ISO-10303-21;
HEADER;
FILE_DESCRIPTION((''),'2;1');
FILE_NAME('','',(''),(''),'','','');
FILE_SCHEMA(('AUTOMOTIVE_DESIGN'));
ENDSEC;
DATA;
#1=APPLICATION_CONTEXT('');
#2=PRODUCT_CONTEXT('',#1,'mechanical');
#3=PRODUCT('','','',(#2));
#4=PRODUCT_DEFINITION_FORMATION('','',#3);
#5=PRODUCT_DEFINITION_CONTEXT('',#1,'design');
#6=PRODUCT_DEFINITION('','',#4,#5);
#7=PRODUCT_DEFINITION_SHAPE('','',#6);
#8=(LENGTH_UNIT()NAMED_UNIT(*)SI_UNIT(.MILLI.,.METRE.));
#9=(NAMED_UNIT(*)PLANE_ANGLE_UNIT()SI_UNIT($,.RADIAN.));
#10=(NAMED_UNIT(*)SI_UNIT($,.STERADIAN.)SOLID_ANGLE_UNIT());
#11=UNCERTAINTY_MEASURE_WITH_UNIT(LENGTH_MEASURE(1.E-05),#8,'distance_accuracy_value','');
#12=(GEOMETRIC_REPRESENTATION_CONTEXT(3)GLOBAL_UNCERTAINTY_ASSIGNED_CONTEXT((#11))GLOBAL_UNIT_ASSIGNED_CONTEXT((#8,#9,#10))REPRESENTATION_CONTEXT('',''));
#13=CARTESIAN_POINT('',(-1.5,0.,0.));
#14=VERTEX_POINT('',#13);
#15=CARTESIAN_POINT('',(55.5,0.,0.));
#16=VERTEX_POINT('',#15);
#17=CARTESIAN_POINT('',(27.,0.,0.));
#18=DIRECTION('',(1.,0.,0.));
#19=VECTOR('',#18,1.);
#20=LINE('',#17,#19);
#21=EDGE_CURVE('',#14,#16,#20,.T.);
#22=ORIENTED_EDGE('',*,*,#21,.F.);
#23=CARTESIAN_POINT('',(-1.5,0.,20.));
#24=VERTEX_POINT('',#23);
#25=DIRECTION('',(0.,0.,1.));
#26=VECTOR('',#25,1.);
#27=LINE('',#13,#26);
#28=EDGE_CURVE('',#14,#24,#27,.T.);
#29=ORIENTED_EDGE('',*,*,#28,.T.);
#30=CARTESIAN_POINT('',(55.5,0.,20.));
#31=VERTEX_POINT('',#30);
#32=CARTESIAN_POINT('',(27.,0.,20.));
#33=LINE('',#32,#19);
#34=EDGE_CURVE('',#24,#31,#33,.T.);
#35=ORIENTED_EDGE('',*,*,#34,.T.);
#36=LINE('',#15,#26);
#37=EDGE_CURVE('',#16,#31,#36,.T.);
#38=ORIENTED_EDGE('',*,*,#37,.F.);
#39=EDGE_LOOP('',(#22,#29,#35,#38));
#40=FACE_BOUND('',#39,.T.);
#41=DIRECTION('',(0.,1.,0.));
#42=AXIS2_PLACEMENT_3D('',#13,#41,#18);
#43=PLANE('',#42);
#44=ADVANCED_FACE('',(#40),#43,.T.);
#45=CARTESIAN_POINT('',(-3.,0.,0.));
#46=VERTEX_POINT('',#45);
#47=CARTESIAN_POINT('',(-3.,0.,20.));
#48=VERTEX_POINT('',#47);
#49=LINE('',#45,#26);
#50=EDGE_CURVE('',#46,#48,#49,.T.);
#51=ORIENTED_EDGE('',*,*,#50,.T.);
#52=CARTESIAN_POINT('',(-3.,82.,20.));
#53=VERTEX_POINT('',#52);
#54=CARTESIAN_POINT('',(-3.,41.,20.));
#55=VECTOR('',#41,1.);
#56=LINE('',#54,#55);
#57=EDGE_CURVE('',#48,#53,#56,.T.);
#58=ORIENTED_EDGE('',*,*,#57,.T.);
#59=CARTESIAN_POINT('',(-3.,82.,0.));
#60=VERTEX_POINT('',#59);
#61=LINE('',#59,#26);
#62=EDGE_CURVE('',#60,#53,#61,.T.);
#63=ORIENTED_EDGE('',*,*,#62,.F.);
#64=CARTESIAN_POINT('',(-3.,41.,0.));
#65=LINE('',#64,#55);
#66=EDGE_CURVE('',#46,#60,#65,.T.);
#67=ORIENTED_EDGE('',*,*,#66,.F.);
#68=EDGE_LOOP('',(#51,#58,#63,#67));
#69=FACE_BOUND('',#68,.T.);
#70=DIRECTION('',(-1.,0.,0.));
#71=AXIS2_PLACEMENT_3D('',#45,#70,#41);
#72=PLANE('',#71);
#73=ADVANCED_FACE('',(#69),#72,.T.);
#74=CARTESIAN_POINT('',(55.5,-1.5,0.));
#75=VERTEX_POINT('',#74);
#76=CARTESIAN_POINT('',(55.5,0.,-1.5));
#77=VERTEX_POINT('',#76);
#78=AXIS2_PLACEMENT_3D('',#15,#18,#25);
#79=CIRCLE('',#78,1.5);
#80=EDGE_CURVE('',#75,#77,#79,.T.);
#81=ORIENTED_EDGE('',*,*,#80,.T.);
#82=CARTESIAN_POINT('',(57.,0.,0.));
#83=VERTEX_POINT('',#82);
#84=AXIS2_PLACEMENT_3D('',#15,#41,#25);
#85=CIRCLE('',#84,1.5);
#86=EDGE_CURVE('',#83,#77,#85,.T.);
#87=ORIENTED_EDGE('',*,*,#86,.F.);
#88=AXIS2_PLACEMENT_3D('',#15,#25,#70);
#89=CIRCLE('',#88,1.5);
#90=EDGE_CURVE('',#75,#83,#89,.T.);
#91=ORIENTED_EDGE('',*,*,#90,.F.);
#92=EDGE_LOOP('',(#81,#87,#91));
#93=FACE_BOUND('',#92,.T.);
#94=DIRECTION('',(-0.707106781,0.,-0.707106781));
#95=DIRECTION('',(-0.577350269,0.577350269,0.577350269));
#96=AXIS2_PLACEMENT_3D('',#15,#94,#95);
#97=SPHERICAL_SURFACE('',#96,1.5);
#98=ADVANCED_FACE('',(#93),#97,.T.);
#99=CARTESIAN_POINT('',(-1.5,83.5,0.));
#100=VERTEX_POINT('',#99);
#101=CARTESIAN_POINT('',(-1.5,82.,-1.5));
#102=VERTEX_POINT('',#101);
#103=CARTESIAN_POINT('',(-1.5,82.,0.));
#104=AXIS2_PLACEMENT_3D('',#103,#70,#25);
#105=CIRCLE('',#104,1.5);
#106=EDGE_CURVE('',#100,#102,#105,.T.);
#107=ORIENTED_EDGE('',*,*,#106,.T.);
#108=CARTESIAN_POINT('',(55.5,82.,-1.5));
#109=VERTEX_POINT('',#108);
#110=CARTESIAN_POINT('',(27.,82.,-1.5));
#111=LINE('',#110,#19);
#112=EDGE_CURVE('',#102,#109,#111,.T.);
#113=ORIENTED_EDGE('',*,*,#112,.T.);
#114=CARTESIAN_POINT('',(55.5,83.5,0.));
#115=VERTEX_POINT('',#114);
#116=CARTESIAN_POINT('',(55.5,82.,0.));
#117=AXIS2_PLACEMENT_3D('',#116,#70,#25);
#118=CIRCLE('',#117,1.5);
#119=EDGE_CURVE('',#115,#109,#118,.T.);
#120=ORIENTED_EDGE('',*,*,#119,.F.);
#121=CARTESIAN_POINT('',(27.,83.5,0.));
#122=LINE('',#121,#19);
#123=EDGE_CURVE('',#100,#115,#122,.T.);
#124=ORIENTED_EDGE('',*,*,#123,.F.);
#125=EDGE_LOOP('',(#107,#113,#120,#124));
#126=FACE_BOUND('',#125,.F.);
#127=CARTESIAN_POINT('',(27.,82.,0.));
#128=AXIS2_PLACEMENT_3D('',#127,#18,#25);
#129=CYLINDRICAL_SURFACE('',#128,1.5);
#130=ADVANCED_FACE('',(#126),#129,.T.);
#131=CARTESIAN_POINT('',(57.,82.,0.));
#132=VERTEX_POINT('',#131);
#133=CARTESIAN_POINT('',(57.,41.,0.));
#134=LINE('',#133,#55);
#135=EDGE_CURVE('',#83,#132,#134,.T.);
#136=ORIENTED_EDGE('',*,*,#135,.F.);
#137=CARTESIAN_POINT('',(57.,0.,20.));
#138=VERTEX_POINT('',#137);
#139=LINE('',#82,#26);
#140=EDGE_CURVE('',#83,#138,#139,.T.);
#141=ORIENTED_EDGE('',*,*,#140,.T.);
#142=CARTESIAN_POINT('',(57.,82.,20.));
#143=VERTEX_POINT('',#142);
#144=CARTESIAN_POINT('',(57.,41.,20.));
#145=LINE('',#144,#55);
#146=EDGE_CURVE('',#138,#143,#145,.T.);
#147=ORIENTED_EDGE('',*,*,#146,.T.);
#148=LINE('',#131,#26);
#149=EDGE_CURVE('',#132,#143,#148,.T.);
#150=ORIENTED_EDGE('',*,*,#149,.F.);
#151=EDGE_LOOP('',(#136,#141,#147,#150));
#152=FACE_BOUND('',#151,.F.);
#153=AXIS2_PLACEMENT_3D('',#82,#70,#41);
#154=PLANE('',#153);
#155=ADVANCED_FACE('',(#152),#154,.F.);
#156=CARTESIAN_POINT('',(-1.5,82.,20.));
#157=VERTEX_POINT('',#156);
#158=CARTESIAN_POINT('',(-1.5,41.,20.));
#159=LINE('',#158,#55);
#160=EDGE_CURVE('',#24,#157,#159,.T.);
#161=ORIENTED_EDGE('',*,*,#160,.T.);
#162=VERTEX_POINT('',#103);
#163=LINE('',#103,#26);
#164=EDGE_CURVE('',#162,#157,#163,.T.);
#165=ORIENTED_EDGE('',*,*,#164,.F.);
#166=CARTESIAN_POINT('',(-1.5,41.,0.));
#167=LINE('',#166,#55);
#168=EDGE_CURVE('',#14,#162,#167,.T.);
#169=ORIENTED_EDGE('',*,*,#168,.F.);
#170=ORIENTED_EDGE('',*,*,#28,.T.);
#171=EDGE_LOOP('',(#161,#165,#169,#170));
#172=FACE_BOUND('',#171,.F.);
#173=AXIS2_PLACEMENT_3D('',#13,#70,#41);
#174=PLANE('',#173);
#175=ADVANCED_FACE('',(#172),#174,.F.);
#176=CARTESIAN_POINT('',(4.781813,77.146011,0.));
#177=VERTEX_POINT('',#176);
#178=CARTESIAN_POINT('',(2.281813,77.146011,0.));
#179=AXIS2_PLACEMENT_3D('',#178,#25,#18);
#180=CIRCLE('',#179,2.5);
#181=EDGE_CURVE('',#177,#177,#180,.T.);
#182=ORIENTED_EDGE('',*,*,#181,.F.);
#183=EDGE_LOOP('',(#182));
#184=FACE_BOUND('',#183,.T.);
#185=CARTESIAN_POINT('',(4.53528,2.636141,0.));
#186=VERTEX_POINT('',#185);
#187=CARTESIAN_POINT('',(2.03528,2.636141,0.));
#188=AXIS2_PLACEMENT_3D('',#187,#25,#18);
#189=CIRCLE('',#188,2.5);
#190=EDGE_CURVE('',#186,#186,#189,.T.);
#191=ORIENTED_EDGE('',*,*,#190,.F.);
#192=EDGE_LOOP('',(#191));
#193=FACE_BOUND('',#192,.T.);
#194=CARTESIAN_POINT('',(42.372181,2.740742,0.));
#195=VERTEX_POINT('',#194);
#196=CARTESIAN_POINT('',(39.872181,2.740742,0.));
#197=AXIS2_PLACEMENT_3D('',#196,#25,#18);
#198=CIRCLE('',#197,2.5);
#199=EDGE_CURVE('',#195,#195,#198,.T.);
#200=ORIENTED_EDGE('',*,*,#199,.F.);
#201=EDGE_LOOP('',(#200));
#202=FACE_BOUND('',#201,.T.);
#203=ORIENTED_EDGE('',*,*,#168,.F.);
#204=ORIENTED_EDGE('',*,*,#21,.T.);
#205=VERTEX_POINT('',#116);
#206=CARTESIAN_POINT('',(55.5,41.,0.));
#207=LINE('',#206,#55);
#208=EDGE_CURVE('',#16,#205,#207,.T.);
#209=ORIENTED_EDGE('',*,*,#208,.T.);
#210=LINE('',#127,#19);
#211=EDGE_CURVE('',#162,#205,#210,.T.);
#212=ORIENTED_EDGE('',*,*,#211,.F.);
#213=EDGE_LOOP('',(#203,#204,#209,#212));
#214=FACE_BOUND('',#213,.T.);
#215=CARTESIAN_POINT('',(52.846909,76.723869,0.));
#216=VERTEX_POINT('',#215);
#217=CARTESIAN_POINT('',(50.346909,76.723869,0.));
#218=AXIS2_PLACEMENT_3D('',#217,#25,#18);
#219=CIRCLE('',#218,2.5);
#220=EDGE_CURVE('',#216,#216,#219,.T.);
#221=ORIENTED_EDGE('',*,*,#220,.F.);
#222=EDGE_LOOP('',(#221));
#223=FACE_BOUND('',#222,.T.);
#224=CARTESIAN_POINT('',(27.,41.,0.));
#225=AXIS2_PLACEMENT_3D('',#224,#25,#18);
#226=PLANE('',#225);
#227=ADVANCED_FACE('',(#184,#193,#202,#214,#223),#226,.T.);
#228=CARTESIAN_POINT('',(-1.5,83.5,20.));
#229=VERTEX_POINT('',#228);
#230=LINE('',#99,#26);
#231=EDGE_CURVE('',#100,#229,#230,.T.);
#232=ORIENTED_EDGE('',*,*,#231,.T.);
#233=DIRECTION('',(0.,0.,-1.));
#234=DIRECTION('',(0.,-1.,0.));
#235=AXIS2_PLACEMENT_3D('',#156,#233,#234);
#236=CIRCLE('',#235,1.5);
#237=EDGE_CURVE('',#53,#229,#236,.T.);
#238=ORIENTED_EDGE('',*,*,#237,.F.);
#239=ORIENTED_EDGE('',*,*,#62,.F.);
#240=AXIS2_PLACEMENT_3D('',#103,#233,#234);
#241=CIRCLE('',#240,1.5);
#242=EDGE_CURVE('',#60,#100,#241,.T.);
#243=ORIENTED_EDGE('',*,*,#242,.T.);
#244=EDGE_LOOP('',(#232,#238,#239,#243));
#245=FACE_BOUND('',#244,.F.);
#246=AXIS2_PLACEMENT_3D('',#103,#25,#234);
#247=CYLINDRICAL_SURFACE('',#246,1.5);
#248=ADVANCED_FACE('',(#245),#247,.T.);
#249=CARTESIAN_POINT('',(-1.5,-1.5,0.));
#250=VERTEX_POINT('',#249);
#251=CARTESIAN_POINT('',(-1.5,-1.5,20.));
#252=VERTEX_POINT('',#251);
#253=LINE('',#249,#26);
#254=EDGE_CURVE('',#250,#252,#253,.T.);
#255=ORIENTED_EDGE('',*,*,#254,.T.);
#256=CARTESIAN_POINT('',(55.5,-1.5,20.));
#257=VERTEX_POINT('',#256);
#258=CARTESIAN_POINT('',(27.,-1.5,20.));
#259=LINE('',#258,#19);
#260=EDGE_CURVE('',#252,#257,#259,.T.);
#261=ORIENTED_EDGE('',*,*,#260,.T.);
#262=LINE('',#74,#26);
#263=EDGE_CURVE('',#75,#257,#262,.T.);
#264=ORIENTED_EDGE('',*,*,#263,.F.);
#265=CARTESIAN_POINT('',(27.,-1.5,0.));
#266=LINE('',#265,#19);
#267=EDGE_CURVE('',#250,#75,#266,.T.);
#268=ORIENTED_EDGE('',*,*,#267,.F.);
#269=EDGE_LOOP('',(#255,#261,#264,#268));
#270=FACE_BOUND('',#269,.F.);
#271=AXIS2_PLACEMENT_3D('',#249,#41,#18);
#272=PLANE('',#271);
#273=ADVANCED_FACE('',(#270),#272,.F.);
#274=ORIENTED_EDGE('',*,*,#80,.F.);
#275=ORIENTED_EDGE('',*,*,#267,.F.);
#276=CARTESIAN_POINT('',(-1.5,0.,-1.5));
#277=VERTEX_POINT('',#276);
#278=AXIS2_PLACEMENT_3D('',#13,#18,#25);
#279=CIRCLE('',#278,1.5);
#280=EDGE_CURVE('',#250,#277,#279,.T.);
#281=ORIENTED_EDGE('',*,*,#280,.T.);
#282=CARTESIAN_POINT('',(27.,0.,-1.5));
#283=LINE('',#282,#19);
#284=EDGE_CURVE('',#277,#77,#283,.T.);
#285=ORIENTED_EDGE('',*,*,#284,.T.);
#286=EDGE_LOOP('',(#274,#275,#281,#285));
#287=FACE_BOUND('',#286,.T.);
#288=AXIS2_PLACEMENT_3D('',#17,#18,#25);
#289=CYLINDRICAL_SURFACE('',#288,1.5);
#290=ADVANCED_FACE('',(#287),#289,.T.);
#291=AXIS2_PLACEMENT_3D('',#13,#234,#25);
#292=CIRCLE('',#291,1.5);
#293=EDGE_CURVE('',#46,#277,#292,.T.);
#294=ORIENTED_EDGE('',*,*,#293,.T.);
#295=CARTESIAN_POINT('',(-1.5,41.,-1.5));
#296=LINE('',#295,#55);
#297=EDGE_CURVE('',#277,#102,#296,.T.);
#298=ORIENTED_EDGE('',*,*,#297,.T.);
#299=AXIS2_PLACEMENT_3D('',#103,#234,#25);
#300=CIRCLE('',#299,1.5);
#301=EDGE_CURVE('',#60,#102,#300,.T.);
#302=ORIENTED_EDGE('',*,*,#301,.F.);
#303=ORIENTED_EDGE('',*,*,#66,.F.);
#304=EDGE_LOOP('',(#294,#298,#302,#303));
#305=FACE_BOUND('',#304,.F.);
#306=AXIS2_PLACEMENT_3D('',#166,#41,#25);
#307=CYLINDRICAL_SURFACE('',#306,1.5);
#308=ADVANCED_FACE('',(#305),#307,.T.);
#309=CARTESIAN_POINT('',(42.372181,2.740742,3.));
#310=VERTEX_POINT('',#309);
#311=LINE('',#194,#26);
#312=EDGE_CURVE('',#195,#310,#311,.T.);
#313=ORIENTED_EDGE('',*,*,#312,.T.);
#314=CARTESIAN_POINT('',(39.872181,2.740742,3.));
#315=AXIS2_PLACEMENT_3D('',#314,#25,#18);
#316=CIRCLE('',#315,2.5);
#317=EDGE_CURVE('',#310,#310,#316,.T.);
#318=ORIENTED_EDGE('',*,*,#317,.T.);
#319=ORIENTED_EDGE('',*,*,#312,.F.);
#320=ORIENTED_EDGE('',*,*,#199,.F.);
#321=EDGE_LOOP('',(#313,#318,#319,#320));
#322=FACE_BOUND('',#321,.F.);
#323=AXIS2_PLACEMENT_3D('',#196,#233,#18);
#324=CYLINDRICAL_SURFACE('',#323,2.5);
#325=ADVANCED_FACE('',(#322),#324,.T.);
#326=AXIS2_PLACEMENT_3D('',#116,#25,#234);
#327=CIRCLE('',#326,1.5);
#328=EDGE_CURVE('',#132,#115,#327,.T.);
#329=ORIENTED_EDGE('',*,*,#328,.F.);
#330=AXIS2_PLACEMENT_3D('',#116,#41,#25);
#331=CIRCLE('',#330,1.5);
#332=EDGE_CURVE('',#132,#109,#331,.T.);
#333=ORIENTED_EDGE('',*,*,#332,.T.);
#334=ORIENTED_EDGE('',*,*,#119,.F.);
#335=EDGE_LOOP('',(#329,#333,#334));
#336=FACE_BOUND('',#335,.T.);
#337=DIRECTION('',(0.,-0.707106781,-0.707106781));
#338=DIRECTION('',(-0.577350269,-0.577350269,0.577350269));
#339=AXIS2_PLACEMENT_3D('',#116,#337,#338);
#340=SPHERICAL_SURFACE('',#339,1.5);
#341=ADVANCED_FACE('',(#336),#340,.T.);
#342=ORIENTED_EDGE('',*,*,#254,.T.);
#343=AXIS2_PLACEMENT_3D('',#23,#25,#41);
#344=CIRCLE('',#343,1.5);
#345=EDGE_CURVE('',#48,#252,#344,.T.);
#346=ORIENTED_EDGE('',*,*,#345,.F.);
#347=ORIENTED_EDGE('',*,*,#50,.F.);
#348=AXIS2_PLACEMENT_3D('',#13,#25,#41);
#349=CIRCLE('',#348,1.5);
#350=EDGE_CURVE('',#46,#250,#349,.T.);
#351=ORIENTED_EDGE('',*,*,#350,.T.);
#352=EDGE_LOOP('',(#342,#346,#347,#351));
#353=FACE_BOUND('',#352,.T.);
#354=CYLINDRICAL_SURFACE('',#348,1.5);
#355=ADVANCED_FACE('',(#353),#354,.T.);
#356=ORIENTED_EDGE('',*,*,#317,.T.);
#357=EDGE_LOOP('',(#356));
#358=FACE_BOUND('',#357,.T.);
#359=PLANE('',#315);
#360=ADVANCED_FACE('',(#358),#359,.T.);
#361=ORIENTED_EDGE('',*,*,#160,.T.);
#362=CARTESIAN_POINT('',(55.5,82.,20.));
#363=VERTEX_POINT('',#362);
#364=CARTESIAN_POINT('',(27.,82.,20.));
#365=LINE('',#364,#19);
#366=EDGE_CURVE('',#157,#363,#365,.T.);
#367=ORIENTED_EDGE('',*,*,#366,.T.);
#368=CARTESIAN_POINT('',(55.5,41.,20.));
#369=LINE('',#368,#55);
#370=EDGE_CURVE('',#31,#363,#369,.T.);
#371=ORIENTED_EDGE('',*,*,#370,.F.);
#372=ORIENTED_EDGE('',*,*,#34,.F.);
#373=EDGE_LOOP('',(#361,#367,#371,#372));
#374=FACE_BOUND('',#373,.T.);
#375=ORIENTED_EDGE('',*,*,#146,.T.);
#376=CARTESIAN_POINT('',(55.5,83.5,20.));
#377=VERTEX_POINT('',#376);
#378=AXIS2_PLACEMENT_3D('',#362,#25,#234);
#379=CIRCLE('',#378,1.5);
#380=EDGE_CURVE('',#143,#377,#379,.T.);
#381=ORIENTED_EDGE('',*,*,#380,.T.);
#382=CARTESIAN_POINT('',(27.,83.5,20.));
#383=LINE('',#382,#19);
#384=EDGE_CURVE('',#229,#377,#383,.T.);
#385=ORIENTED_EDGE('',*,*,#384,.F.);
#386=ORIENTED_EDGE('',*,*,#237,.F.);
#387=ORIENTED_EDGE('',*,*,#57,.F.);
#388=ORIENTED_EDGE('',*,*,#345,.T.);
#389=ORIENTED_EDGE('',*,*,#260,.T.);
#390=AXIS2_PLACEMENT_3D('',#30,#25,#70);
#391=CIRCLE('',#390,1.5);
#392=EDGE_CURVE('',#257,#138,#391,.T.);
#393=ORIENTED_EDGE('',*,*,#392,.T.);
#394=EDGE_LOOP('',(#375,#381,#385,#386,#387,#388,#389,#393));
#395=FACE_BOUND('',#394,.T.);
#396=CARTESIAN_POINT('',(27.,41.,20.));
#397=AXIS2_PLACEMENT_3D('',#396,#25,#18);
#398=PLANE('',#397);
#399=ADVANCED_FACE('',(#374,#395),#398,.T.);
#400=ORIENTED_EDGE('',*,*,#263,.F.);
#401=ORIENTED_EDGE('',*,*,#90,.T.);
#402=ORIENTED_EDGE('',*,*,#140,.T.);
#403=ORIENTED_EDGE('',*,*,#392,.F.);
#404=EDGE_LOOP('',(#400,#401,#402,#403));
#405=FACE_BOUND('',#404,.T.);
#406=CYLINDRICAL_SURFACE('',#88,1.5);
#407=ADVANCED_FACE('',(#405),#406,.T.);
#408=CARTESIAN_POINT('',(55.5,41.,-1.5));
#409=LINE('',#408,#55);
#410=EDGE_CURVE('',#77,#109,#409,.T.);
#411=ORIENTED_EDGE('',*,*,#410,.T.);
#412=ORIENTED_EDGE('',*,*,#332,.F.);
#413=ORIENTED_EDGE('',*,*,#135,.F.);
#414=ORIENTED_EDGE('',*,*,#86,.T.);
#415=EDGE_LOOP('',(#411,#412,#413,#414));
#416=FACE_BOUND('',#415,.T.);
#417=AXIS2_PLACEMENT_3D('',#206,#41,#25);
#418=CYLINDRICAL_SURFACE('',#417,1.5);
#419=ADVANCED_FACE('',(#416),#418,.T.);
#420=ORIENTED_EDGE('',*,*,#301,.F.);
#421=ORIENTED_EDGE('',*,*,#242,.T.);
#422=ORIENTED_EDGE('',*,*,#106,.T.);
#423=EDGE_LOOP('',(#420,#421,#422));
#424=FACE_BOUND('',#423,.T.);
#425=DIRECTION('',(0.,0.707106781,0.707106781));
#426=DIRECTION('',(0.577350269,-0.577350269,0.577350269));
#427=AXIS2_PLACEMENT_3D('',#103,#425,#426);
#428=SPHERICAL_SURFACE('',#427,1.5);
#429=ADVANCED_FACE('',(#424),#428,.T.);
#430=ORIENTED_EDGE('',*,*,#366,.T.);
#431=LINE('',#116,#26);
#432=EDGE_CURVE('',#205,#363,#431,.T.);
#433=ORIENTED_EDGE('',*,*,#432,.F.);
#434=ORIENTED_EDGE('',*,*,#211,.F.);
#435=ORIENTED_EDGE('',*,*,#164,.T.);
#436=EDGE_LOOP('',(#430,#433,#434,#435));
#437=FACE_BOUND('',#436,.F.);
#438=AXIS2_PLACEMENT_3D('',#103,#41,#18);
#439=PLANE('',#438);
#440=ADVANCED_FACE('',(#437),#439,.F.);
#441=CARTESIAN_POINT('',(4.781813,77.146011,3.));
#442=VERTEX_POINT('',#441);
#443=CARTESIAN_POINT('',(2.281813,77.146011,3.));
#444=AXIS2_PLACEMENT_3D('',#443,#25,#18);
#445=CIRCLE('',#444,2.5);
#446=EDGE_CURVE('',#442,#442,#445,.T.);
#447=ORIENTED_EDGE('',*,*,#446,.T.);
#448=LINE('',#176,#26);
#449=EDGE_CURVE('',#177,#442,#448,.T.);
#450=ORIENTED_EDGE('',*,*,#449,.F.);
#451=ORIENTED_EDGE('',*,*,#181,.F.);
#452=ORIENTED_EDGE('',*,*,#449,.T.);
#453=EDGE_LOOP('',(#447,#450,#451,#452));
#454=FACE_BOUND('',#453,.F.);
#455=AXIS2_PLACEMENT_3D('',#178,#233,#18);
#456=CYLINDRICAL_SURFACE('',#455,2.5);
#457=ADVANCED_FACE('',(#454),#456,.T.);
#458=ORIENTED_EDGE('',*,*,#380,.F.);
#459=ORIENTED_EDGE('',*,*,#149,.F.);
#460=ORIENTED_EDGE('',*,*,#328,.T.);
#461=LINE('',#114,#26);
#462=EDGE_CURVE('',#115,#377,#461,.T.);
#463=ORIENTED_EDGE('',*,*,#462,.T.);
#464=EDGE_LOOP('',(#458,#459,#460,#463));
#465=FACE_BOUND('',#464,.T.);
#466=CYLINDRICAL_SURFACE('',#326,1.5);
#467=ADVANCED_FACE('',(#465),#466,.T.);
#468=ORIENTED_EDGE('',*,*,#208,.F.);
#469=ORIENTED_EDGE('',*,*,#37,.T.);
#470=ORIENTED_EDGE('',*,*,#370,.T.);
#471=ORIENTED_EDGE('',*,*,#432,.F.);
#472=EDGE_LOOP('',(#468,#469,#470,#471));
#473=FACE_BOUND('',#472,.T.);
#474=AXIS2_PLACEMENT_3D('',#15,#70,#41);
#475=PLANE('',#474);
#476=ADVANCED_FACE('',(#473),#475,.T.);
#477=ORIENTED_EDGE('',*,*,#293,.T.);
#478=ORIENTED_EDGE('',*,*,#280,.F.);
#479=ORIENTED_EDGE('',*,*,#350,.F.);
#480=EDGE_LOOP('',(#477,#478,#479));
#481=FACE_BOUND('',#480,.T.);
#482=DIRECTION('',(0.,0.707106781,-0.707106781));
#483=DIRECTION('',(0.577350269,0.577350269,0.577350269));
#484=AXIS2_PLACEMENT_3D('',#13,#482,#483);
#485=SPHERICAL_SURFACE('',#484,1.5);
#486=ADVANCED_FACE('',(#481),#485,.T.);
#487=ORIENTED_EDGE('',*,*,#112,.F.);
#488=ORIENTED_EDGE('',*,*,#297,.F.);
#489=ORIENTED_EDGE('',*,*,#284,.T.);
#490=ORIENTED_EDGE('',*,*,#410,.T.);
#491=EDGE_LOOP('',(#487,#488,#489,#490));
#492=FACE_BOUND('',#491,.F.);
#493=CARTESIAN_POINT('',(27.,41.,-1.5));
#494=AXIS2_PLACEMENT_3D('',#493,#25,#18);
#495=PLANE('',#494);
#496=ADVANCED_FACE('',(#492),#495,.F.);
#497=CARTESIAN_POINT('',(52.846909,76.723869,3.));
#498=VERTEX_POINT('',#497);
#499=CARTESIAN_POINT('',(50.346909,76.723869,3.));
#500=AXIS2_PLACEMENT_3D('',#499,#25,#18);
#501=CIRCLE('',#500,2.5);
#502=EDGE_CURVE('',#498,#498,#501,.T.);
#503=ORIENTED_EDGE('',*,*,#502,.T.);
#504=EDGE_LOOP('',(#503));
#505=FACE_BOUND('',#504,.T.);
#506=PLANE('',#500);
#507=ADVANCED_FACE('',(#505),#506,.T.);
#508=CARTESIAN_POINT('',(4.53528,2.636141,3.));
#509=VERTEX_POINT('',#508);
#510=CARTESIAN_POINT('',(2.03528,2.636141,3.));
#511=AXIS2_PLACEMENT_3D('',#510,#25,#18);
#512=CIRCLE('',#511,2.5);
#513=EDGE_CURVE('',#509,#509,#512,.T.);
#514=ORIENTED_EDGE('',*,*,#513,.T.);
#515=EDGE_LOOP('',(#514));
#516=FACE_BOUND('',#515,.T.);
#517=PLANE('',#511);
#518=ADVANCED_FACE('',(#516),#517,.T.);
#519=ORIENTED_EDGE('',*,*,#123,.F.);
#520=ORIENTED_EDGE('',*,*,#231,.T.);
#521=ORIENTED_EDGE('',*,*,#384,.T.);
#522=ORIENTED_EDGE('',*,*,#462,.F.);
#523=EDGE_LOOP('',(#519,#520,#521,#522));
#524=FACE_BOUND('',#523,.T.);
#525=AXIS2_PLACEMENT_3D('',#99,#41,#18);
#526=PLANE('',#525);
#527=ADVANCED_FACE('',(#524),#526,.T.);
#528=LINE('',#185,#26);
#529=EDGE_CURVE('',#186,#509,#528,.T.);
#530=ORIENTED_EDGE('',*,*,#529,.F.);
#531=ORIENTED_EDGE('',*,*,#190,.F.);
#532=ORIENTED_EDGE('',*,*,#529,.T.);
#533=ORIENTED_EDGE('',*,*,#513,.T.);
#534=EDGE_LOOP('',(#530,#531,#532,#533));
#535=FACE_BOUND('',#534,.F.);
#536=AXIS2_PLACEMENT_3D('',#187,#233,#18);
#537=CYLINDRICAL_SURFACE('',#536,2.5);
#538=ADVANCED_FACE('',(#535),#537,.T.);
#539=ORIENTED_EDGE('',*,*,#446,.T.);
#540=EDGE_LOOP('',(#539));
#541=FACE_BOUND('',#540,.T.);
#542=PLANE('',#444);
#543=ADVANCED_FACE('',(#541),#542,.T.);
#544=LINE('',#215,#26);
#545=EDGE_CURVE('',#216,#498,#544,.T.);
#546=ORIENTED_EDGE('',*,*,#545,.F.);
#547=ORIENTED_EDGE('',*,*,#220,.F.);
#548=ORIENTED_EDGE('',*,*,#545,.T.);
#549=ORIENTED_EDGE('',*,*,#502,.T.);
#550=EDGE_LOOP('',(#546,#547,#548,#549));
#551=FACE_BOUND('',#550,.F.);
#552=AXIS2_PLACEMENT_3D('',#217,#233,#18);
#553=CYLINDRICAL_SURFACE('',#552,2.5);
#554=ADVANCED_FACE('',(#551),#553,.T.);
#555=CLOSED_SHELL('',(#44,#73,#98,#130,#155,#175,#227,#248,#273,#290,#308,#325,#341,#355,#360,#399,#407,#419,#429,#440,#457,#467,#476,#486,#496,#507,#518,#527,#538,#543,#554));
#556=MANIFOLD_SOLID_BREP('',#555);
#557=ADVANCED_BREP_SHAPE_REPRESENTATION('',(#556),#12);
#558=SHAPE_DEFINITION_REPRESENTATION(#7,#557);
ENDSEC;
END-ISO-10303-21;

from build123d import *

# Parameters (mm, degrees)
BOX_W        = 57
BOX_H        = 82
BOX_DEPTH    = 20
THICKNESS_T  = 1.5
SKETCH003_R  = 2.5
PAD001_DEPTH = 3


with BuildPart() as part:
    # Box → Box (new body)
    with BuildSketch(Plane.XY):
        with Locations((28.5, 41)):
            Rectangle(BOX_W, BOX_H)
    extrude(amount=BOX_DEPTH)

    # Thickness
    thickness_openings = [part.faces().sort_by_distance(p)[0] for p in [
        (28.5, 41, 20),
    ]]
    offset(amount=THICKNESS_T, openings=thickness_openings)


with BuildPart() as part_1:
    # Thickness placement: moved
    add(part.part.moved(Location((-1.5, 0, 0))))

    # Sketch003 → Pad001 (new body)
    with BuildSketch(Plane(origin=(-1.5, 0, 0), x_dir=(1, 0, 0), z_dir=(0, 0, 1))):
        with Locations((3.53528, 2.636141)):
            Circle(SKETCH003_R)
        with Locations((41.372181, 2.740742)):
            Circle(SKETCH003_R)
        with Locations((3.781813, 77.146011)):
            Circle(SKETCH003_R)
        with Locations((51.846909, 76.723869)):
            Circle(SKETCH003_R)
    extrude(amount=PAD001_DEPTH)


solid = part_1.part
